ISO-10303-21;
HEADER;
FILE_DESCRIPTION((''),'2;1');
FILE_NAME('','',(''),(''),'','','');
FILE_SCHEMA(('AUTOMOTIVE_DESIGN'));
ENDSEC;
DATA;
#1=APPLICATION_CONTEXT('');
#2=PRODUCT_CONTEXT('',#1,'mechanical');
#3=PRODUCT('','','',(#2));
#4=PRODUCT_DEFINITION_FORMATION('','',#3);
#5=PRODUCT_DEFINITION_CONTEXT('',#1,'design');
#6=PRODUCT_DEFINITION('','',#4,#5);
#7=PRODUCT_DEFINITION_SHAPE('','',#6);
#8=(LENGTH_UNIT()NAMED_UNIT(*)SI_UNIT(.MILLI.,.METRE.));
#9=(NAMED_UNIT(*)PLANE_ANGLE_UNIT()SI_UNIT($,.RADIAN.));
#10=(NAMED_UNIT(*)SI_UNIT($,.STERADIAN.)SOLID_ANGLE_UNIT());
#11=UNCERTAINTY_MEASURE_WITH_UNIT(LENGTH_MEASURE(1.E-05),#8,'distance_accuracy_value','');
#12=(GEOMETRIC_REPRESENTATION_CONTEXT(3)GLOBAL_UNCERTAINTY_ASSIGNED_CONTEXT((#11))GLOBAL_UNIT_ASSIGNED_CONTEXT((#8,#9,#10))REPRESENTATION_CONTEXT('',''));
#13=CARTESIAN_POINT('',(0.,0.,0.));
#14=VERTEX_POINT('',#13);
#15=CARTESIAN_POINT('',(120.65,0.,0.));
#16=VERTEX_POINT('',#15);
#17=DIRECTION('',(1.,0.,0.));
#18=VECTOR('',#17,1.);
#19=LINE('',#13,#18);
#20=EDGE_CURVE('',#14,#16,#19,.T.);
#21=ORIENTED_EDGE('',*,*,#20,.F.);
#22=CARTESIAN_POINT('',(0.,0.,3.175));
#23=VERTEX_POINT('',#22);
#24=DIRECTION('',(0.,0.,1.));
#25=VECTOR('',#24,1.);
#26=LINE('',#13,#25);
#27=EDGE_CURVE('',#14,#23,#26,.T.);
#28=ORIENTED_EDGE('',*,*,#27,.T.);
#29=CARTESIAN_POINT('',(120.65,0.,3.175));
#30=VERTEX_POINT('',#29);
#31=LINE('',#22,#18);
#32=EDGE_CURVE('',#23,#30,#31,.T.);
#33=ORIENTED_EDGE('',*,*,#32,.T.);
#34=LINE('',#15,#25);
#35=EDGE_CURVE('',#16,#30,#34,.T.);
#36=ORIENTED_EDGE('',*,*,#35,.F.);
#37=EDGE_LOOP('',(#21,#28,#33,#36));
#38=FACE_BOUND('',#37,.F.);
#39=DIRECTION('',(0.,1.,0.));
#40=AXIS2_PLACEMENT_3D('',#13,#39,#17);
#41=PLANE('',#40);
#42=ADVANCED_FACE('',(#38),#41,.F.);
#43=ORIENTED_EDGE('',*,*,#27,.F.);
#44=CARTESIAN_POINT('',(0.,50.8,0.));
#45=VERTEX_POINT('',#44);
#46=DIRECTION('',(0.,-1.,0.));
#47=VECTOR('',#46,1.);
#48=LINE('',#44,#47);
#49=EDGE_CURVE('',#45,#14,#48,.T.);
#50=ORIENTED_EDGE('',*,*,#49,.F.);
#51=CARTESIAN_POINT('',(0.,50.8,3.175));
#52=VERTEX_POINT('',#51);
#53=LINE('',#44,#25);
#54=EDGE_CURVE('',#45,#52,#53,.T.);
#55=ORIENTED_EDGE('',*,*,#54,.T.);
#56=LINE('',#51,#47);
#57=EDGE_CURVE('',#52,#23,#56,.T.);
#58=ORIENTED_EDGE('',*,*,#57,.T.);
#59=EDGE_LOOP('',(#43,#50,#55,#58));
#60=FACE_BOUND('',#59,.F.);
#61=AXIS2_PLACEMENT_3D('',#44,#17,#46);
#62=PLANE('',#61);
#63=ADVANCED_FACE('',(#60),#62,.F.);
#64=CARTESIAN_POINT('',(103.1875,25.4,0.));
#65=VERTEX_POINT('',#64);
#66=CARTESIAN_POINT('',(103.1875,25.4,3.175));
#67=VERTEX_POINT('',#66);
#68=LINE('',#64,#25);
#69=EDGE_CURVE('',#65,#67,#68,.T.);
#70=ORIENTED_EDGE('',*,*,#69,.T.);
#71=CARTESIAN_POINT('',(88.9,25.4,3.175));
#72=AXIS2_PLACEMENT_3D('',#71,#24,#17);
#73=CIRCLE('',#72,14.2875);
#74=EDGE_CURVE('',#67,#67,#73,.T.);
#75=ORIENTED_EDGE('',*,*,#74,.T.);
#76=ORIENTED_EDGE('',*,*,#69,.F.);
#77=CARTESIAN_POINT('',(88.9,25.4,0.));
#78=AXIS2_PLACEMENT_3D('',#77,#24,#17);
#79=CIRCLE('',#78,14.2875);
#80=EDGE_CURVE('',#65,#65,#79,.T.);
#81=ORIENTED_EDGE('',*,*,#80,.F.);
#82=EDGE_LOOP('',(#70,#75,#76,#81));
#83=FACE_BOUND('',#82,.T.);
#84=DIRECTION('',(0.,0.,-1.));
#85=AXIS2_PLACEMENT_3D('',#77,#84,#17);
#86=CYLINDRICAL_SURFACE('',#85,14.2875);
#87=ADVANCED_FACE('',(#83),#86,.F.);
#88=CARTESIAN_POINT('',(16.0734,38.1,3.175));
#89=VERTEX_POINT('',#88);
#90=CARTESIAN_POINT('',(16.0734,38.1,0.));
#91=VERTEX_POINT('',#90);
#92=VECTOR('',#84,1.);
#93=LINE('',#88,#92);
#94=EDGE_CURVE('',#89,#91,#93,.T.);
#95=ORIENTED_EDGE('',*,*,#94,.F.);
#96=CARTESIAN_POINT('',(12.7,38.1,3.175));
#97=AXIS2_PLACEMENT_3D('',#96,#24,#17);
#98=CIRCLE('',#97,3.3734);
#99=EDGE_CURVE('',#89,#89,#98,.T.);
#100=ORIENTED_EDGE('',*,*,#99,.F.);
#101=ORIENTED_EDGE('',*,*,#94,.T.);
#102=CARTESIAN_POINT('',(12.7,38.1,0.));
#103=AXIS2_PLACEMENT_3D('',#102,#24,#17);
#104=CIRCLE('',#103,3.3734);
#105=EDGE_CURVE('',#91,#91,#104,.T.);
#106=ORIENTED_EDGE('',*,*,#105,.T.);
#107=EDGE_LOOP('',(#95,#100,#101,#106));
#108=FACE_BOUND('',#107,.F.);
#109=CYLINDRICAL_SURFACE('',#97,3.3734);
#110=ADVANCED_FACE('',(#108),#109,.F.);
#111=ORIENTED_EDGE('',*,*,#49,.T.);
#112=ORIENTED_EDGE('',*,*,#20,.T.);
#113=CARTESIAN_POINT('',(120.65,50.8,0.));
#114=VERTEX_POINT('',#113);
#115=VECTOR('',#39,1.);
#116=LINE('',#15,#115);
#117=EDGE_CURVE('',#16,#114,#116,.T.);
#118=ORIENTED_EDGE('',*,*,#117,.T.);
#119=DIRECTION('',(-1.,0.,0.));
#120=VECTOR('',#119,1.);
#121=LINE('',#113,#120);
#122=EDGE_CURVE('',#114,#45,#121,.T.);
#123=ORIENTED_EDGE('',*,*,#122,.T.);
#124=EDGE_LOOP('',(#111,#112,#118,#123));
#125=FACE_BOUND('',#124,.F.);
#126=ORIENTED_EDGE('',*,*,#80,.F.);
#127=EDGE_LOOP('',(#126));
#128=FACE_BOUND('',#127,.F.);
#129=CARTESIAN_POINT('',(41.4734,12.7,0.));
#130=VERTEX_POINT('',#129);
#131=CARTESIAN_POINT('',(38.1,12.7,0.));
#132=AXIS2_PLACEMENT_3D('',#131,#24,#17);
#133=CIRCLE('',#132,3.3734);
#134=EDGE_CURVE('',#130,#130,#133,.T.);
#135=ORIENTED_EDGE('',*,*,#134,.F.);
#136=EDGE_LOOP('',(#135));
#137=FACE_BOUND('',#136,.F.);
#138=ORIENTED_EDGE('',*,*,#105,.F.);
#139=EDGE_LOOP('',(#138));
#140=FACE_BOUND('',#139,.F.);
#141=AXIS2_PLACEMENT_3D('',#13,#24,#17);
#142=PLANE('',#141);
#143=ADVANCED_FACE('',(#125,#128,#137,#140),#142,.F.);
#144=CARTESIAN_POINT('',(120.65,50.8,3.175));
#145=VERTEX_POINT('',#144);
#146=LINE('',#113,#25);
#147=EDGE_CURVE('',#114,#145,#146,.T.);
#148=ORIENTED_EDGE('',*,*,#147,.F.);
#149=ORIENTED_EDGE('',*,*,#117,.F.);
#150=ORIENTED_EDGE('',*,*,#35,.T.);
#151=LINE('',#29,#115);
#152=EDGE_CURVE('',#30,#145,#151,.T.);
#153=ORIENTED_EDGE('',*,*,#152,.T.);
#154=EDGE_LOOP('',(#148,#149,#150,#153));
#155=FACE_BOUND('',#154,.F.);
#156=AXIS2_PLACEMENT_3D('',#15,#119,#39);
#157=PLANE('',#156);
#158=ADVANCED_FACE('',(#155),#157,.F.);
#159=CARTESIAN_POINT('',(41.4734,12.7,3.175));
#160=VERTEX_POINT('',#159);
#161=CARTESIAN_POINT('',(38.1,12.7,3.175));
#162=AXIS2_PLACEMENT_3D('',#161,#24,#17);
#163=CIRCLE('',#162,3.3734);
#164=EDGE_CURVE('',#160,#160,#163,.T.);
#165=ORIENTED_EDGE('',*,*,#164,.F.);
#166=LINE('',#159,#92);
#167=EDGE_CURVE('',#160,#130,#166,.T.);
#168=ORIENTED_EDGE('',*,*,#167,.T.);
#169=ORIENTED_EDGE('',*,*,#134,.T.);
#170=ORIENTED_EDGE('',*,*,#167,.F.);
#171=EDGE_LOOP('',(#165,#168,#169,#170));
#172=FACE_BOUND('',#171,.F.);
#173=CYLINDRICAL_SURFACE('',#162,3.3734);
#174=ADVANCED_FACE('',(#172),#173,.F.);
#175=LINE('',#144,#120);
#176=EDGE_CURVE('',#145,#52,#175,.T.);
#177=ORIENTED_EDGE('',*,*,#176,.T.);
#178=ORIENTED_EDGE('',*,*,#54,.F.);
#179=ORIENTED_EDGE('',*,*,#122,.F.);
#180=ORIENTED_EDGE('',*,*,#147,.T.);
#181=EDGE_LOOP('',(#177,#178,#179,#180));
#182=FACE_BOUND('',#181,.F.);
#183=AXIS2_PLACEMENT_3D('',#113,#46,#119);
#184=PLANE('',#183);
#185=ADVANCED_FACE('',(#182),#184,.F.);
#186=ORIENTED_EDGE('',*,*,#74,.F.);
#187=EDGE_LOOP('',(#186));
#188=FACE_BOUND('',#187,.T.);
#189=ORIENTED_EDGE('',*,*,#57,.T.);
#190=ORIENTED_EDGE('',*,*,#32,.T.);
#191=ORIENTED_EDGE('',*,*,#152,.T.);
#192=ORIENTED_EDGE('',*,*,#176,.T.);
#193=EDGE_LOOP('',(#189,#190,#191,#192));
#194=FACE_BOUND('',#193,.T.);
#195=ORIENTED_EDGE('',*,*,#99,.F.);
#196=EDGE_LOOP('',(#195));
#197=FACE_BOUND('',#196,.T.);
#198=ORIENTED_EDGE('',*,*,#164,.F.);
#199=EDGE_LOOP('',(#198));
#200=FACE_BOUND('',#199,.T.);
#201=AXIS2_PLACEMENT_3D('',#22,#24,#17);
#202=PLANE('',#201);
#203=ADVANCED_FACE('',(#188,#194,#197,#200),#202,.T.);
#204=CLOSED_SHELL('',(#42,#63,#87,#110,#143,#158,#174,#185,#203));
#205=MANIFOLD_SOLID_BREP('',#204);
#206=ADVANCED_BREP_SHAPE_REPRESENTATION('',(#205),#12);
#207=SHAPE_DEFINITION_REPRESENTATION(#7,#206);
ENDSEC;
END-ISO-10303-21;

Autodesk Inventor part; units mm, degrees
ref_plane "YZ Plane" through (0, 0, 0) normal (1, 0, 0) x (0, 1, 0)
ref_plane "XZ Plane" through (0, 0, 0) normal (0, 1, 0) x (-1, 0, 0)
ref_plane "XY Plane" through (0, 0, 0) normal (0, 0, 1) x (1, 0, 0)
sketch "Sketch1" plane through (0, 0, 0) normal (0, 0, 1) x (1, 0, 0)
  line L0 (0, 0) -> (120.65, 0)
  line L1 (120.65, 0) -> (120.65, 50.8)
  line L2 (120.65, 50.8) -> (0, 50.8)
  line L3 (0, 50.8) -> (0, 0)
  circle A0 centre (88.9, 25.4) radius 14.2875
  dimension "d0" = 120.65
  dimension "d1" = 50.8
  dimension "d2" = 28.575
  dimension "d3" = 31.75
  dimension "d4" = 25.4
extrude "Extrusion1" add sketch "Sketch1" along normal blind 3.175
sketch "Sketch2" plane through (0, 0, 3.175) normal (0, 0, 1) x (1, 0, 0)
  circle A0 centre (38.1, 12.7) radius 3.3734
  circle A1 centre (12.7, 38.1) radius 3.3734
  line L0 (120.65, 50.8) -> (0, 50.8) projected
  line L1 (0, 50.8) -> (0, 0) projected
  line L2 (0, 0) -> (120.65, 0) projected
  dimension "d7" = 6.7469
  dimension "d8" = 6.7469
  dimension "d9" = 12.7
  dimension "d10" = 38.1
  dimension "d11" = 12.7
  dimension "d12" = 12.7
extrude "Extrusion2" cut sketch "Sketch2" against normal blind 3.175
properties part number "2nd motor bracket"
